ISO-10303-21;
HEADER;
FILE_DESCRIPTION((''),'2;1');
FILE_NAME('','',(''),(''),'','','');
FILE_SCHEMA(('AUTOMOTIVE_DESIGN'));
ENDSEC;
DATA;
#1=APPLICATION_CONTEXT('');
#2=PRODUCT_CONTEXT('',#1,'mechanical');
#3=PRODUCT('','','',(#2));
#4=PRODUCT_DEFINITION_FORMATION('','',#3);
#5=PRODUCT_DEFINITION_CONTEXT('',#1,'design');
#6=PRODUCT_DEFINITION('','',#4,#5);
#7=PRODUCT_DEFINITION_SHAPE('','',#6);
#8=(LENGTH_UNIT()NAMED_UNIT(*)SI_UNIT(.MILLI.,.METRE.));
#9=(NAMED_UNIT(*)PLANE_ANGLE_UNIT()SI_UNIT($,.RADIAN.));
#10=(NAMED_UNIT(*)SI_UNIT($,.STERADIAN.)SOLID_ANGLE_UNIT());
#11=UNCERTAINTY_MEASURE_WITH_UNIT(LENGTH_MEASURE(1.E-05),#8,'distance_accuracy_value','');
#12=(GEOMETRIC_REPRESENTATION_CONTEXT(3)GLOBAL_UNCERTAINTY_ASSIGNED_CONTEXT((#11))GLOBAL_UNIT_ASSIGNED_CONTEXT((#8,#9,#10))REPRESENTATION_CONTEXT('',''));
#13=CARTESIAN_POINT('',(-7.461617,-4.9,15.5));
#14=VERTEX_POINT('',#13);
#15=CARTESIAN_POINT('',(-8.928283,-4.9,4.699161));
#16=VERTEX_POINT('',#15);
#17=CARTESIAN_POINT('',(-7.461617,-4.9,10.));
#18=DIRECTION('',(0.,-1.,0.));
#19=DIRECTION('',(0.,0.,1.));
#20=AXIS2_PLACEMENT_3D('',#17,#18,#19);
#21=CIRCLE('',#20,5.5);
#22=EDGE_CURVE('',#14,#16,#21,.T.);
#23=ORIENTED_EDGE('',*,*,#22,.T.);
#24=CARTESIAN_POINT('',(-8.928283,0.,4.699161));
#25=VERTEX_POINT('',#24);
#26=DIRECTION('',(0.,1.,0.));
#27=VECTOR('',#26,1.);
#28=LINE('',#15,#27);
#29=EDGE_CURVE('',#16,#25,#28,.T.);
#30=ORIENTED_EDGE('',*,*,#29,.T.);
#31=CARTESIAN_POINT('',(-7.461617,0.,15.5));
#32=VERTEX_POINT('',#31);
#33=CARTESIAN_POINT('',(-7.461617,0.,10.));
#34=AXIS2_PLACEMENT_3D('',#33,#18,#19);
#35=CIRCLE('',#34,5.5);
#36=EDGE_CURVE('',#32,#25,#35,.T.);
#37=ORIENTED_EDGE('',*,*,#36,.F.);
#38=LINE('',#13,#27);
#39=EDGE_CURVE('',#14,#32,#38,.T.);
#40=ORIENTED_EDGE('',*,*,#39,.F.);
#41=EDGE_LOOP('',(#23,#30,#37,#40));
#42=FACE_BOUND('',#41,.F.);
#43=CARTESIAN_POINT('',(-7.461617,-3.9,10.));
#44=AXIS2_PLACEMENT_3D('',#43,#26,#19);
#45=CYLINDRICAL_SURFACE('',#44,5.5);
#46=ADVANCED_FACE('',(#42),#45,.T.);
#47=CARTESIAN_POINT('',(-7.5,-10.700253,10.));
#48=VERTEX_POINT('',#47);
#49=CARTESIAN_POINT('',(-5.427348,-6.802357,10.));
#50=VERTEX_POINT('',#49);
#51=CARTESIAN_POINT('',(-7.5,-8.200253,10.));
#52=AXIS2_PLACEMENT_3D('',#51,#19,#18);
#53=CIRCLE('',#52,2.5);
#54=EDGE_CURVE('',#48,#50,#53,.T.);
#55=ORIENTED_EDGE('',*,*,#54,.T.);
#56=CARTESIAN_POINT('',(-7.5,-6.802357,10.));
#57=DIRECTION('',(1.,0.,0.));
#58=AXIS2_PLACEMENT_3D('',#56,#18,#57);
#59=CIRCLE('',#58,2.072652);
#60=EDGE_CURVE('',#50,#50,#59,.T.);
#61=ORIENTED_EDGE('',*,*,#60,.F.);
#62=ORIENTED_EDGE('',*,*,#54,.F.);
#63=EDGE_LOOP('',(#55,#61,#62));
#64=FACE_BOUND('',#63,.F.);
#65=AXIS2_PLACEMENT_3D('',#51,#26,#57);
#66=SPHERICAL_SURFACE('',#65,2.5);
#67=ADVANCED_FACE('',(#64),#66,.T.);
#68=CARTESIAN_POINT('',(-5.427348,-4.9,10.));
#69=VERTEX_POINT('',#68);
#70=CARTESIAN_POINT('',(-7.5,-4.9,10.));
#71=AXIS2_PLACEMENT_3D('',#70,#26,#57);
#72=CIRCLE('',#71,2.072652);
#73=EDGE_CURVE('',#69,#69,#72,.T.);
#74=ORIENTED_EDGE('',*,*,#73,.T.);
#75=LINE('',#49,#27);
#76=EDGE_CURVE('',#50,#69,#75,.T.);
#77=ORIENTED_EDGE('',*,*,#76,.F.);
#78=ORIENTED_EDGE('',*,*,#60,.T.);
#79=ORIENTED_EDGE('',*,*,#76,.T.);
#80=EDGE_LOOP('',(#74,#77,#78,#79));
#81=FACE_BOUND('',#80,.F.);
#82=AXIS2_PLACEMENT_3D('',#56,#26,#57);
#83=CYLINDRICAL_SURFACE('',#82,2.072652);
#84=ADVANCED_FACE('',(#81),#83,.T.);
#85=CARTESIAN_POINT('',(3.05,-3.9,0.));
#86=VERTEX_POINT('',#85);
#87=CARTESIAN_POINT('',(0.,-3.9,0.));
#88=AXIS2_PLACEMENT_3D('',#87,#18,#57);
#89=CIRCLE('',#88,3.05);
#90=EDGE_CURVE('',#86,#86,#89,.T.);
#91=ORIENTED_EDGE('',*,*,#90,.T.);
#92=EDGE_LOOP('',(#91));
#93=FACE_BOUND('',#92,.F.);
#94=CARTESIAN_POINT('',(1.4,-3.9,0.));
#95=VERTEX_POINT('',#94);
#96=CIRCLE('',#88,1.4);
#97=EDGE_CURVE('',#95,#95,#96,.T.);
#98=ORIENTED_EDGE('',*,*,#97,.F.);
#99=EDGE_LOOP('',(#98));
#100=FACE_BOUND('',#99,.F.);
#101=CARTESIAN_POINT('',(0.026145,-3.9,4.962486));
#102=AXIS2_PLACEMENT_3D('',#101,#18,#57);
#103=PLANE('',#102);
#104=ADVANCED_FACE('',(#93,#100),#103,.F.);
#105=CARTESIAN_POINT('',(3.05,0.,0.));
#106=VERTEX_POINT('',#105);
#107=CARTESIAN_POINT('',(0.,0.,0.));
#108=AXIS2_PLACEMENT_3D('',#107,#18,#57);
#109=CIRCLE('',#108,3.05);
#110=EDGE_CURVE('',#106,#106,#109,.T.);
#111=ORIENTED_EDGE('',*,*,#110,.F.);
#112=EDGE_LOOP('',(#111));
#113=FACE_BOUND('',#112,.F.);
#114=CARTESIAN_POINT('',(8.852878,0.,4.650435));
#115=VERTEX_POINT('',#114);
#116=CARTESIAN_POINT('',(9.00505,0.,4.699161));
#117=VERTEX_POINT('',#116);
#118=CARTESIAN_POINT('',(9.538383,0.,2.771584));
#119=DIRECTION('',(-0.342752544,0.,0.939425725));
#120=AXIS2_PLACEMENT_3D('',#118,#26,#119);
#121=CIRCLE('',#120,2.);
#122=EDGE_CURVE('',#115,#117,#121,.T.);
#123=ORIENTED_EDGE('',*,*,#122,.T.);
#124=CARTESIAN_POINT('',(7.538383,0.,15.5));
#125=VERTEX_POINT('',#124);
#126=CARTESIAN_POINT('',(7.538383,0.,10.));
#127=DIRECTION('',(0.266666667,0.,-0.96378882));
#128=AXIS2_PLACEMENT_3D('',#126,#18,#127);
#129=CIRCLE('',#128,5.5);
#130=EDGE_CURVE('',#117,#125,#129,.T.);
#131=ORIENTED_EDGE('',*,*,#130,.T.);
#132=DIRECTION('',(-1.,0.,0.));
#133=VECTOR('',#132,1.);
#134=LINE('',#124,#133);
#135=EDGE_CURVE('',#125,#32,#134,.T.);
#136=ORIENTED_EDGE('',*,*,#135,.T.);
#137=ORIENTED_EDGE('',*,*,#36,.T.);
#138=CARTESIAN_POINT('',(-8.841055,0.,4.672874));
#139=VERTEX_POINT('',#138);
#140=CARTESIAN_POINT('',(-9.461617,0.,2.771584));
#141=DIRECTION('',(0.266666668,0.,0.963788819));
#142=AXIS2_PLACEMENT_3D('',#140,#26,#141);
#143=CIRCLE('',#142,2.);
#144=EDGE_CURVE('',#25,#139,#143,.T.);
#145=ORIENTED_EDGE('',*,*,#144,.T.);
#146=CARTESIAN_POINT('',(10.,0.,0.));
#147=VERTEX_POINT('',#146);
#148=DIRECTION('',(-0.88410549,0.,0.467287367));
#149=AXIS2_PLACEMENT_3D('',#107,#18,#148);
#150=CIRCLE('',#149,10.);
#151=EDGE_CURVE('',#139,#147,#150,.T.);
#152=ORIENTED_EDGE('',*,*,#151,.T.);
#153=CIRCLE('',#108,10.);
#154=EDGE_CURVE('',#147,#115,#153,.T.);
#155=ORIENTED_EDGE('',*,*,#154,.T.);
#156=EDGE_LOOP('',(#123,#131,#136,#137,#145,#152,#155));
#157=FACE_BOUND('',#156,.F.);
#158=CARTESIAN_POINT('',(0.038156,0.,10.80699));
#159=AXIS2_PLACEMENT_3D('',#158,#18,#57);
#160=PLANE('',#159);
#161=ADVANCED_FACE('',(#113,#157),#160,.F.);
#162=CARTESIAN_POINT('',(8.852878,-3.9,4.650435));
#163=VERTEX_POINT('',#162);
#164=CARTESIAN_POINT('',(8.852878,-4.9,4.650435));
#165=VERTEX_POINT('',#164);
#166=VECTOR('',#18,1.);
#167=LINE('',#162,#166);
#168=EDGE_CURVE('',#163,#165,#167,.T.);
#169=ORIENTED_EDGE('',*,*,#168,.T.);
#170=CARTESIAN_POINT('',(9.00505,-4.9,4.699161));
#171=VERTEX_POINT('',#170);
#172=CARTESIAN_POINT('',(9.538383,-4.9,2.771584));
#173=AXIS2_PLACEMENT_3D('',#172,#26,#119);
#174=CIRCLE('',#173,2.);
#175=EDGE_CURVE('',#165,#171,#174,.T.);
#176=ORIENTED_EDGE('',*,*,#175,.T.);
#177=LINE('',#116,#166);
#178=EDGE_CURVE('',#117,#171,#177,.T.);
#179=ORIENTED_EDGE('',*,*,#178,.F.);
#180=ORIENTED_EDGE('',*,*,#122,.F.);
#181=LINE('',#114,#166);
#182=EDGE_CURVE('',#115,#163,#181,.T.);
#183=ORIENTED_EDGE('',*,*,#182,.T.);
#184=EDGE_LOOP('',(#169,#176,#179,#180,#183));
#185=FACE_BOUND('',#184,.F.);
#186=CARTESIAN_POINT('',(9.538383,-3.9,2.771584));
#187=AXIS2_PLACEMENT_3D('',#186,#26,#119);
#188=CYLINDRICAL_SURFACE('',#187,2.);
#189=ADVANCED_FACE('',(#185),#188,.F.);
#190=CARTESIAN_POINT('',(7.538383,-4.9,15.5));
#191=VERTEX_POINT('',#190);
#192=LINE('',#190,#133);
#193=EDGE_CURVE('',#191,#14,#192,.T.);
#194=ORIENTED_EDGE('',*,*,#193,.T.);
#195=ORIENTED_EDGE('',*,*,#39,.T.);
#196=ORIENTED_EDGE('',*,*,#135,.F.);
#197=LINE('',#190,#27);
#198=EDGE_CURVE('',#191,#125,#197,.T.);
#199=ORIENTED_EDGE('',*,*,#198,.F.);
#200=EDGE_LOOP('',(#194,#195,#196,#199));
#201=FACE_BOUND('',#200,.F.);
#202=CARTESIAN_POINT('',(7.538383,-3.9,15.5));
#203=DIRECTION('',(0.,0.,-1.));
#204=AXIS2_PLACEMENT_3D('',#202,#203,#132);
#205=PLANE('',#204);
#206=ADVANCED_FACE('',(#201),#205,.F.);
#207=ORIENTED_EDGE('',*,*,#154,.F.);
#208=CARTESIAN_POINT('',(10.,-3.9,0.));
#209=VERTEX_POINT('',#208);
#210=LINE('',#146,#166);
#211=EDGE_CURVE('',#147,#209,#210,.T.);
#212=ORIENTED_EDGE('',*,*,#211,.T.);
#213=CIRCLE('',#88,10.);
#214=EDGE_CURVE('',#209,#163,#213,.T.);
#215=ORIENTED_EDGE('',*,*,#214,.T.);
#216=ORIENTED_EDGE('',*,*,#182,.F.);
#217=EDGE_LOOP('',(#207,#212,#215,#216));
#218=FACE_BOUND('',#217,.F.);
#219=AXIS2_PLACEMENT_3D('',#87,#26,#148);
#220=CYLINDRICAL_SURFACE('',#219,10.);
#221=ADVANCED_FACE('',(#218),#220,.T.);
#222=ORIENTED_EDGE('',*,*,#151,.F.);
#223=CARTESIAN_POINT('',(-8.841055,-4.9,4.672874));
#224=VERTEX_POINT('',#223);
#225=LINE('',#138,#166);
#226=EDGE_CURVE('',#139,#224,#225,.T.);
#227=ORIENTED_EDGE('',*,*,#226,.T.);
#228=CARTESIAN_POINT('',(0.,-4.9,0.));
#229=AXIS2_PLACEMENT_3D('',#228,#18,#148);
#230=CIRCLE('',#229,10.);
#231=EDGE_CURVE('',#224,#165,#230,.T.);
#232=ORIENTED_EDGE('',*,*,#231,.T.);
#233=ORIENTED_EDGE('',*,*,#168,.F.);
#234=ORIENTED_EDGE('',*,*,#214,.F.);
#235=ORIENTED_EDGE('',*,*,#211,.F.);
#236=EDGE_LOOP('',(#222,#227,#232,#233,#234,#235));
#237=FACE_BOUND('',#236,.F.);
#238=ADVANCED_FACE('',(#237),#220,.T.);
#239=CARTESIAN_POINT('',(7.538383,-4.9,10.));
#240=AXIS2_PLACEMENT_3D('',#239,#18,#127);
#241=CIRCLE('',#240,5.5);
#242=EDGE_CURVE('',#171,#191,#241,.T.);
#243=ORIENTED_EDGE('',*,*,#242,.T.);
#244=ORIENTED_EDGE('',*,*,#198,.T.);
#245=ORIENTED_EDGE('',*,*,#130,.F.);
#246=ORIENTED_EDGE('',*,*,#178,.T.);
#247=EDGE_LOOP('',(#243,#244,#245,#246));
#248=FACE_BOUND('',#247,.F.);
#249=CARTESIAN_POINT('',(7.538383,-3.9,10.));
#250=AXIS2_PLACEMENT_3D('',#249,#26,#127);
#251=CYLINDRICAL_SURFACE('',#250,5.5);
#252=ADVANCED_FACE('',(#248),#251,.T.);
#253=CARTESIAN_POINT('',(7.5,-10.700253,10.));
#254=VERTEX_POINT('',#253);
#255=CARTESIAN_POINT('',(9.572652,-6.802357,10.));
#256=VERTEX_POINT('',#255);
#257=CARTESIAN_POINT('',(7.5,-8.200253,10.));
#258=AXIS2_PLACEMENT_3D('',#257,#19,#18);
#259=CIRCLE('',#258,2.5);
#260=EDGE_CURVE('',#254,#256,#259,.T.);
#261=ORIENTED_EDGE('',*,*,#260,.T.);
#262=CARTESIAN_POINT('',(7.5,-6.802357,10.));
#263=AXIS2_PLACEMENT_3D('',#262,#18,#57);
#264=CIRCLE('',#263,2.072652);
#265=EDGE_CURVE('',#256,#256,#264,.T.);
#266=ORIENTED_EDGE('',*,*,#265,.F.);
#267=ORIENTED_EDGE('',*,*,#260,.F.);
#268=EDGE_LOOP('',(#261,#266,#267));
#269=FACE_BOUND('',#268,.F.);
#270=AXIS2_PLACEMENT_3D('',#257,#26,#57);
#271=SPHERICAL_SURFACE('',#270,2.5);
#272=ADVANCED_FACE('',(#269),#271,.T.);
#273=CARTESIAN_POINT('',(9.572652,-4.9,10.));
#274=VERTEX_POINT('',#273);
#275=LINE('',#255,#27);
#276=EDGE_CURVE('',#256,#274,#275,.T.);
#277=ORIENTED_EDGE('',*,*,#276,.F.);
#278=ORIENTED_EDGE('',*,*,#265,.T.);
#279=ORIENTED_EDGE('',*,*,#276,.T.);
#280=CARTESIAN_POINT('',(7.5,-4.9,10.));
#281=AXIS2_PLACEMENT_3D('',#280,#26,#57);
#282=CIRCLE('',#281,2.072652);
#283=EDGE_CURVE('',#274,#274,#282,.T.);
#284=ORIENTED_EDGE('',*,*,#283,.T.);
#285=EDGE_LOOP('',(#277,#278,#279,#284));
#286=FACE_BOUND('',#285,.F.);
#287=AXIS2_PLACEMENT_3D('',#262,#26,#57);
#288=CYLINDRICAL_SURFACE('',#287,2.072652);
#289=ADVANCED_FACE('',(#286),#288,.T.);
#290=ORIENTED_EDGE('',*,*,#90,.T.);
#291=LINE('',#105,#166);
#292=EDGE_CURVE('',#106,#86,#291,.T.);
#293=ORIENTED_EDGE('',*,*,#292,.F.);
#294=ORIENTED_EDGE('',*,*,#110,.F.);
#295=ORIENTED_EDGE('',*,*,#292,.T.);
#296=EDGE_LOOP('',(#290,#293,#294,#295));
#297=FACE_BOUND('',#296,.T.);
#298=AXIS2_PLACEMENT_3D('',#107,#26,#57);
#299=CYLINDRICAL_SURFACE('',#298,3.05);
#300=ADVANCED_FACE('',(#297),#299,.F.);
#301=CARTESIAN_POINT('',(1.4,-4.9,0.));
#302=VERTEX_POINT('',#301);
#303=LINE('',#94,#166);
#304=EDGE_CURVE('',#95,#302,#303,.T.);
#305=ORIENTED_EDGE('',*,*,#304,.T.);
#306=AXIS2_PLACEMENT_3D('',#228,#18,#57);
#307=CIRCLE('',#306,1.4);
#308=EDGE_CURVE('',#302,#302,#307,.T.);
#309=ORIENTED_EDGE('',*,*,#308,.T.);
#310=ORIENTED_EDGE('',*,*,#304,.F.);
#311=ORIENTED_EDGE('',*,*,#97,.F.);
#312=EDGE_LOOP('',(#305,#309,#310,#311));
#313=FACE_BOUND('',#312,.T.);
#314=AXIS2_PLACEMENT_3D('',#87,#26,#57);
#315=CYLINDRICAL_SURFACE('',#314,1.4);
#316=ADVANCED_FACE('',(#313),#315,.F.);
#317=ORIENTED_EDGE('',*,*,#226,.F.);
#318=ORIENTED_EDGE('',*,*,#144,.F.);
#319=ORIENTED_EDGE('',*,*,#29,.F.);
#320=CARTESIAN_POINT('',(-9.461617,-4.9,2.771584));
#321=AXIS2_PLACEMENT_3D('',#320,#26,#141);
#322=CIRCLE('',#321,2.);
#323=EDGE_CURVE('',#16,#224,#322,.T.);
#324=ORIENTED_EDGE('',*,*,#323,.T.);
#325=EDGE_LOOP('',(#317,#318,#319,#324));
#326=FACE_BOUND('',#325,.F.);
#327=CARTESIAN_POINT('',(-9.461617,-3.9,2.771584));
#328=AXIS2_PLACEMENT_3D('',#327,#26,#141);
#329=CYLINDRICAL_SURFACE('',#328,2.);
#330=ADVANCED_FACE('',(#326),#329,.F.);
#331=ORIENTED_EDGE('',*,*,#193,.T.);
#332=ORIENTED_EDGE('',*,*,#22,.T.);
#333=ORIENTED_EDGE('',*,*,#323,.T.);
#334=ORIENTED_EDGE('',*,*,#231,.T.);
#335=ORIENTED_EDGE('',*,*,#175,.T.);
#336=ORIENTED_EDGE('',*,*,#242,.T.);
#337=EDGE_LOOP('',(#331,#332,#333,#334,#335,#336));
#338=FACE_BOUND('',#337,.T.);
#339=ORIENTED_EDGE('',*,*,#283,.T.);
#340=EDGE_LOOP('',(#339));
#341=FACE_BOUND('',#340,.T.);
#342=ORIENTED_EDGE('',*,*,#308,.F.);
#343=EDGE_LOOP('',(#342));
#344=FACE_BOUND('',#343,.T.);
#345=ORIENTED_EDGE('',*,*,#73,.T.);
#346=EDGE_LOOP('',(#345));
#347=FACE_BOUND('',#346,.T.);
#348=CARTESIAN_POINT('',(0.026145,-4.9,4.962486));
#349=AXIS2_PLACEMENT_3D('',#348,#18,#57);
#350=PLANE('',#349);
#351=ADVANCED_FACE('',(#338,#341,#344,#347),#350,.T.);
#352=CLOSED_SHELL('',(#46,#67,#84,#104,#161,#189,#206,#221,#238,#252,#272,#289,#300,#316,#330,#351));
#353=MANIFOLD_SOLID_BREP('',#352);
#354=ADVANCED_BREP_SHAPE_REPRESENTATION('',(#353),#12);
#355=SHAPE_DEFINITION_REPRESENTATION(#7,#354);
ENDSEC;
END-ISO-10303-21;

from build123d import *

# Parameters (mm, degrees)
F0_R     = 3.05
F1_DEPTH = 3.9
F2_R     = 3.05
F2_R_2   = 1.4
F3_DEPTH = 1


with BuildPart() as f1:
    # F0 (on Front) → F1 (new body)
    with BuildSketch(Plane.XZ):
        with BuildLine():
            ThreePointArc((7.5383832306, 6.5705995365), (8.2516737727, 5.6488830709), (8.8528781464, 4.6504353048))
            ThreePointArc((8.8528781464, 4.6504353048), (8.9284772277, 4.6763186551), (9.0050498972, 4.6991614919))
            ThreePointArc((9.0050498972, 4.6991614919), (12.9883654229, 10.7400635802), (7.5383832306, 15.5))
            Line((7.5383832306, 15.5), (-7.4616167694, 15.5))
            ThreePointArc((-7.4616167694, 15.5), (-12.9115989618, 10.7400635802), (-8.9282834361, 4.6991614919))
            ThreePointArc((-8.9282834361, 4.6991614919), (-8.8845194647, 4.6865143215), (-8.8410548965, 4.6728736679))
            ThreePointArc((-8.8410548965, 4.6728736679), (-8.2115228808, 5.7070913763), (-7.4616167694, 6.6576478719))
            ThreePointArc((-7.4616167694, 6.6576478719), (-4.0880020353, 9.1262390589), (0, 10))
            ThreePointArc((0, 10), (4.1408939032, 9.1023622034), (7.5383832306, 6.5705995365))
        make_face()
        with BuildLine():
            ThreePointArc((-7.4616167694, 6.6576478719), (-8.2115228808, 5.7070913763), (-8.8410548965, 4.6728736679))
            ThreePointArc((-8.8410548965, 4.6728736679), (-7.84280181, 3.9460786917), (-7.4616167694, 2.7715838526))
            Line((-7.4616167694, 2.7715838526), (-7.4616167694, 6.6576478719))
        make_face()
        with BuildLine():
            ThreePointArc((-8.8410548965, 4.6728736679), (-2.4072236118, -9.7059401648), (10, 0))
            ThreePointArc((10, 0), (9.7089850516, 2.3949132068), (8.8528781464, 4.6504353048))
            ThreePointArc((8.8528781464, 4.6504353048), (7.8996321561, 3.9180980984), (7.5383832306, 2.7715838526))
            Line((7.5383832306, 2.7715838526), (7.5383832306, 6.5705995365))
            ThreePointArc((7.5383832306, 6.5705995365), (4.1408939032, 9.1023622034), (0, 10))
            ThreePointArc((0, 10), (-4.0880020353, 9.1262390589), (-7.4616167694, 6.6576478719))
            Line((-7.4616167694, 6.6576478719), (-7.4616167694, 2.7715838526))
            ThreePointArc((-7.4616167694, 2.7715838526), (-7.84280181, 3.9460786917), (-8.8410548965, 4.6728736679))
        make_face()
        Circle(F0_R, mode=Mode.SUBTRACT)
        with BuildLine():
            ThreePointArc((7.5383832306, 2.7715838526), (7.8996321561, 3.9180980984), (8.8528781464, 4.6504353048))
            ThreePointArc((8.8528781464, 4.6504353048), (8.2516737727, 5.6488830709), (7.5383832306, 6.5705995365))
            Line((7.5383832306, 6.5705995365), (7.5383832306, 2.7715838526))
        make_face()
    extrude(amount=F1_DEPTH)

    # F2 (on face) → F3 (join)
    with BuildSketch(Plane.XZ.offset(3.9)):
        with BuildLine():
            ThreePointArc((-8.9282834361, 4.6991614919), (-8.8845194647, 4.6865143215), (-8.8410548965, 4.6728736679))
            ThreePointArc((-8.8410548965, 4.6728736679), (-0.0126813778, -9.9999919591), (8.8528781464, 4.6504353048))
            ThreePointArc((8.8528781464, 4.6504353048), (8.9284772277, 4.6763186551), (9.0050498972, 4.6991614919))
            ThreePointArc((9.0050498972, 4.6991614919), (12.9883654229, 10.7400635802), (7.5383832306, 15.5))
            Line((7.5383832306, 15.5), (-7.4616167694, 15.5))
            ThreePointArc((-7.4616167694, 15.5), (-12.9115989618, 10.7400635802), (-8.9282834361, 4.6991614919))
        make_face()
        Circle(F2_R, mode=Mode.SUBTRACT)
        Circle(F2_R)
        Circle(F2_R_2, mode=Mode.SUBTRACT)
    extrude(amount=F3_DEPTH)

    # F5 (on offset) → F6 (revolve)
    with BuildSketch(Plane.XY.offset(10)):
        with BuildLine():
            Line((-7.5, -5.7002530202), (-7.5, -10.7002530202))
            ThreePointArc((-7.5, -10.7002530202), (-5.2926553092, -9.3739776115), (-5.427348204, -6.8023565532))
            ThreePointArc((-5.427348204, -6.8023565532), (-6.3262754087, -5.9929083295), (-7.5, -5.7002530202))
        make_face()
        with BuildLine():
            ThreePointArc((-7.5, -5.7002530202), (-6.3262754087, -5.9929083295), (-5.427348204, -6.8023565532))
            Line((-5.427348204, -6.8023565532), (-5.427348204, -4.8014420412))
            Line((-5.427348204, -4.8014420412), (-7.5, -4.8014420412))
            Line((-7.5, -4.8014420412), (-7.5, -4.8982134417))
            Line((-7.5, -4.8982134417), (-7.5, -5.7002530202))
        make_face()
    revolve(axis=Axis((-7.5, -4.8982134417, 10), (0, -1, 0)))

    # F5 (on offset) → F7 (revolve)
    with BuildSketch(Plane.XY.offset(10)):
        with BuildLine():
            ThreePointArc((7.5, -5.7002530202), (8.6737245913, -5.9929083295), (9.572651796, -6.8023565532))
            Line((9.572651796, -6.8023565532), (9.572651796, -4.7845813774))
            Line((9.572651796, -4.7845813774), (7.5, -4.7845813774))
            Line((7.5, -4.7845813774), (7.5, -5.7002530202))
        make_face()
        with BuildLine():
            Line((7.5, -5.7002530202), (7.5, -10.7002530202))
            ThreePointArc((7.5, -10.7002530202), (9.7073446908, -9.3739776115), (9.572651796, -6.8023565532))
            ThreePointArc((9.572651796, -6.8023565532), (8.6737245913, -5.9929083295), (7.5, -5.7002530202))
        make_face()
    revolve(axis=Axis((7.5, -4.7317600206, 10), (0, -1, 0)))


solid = f1.part
